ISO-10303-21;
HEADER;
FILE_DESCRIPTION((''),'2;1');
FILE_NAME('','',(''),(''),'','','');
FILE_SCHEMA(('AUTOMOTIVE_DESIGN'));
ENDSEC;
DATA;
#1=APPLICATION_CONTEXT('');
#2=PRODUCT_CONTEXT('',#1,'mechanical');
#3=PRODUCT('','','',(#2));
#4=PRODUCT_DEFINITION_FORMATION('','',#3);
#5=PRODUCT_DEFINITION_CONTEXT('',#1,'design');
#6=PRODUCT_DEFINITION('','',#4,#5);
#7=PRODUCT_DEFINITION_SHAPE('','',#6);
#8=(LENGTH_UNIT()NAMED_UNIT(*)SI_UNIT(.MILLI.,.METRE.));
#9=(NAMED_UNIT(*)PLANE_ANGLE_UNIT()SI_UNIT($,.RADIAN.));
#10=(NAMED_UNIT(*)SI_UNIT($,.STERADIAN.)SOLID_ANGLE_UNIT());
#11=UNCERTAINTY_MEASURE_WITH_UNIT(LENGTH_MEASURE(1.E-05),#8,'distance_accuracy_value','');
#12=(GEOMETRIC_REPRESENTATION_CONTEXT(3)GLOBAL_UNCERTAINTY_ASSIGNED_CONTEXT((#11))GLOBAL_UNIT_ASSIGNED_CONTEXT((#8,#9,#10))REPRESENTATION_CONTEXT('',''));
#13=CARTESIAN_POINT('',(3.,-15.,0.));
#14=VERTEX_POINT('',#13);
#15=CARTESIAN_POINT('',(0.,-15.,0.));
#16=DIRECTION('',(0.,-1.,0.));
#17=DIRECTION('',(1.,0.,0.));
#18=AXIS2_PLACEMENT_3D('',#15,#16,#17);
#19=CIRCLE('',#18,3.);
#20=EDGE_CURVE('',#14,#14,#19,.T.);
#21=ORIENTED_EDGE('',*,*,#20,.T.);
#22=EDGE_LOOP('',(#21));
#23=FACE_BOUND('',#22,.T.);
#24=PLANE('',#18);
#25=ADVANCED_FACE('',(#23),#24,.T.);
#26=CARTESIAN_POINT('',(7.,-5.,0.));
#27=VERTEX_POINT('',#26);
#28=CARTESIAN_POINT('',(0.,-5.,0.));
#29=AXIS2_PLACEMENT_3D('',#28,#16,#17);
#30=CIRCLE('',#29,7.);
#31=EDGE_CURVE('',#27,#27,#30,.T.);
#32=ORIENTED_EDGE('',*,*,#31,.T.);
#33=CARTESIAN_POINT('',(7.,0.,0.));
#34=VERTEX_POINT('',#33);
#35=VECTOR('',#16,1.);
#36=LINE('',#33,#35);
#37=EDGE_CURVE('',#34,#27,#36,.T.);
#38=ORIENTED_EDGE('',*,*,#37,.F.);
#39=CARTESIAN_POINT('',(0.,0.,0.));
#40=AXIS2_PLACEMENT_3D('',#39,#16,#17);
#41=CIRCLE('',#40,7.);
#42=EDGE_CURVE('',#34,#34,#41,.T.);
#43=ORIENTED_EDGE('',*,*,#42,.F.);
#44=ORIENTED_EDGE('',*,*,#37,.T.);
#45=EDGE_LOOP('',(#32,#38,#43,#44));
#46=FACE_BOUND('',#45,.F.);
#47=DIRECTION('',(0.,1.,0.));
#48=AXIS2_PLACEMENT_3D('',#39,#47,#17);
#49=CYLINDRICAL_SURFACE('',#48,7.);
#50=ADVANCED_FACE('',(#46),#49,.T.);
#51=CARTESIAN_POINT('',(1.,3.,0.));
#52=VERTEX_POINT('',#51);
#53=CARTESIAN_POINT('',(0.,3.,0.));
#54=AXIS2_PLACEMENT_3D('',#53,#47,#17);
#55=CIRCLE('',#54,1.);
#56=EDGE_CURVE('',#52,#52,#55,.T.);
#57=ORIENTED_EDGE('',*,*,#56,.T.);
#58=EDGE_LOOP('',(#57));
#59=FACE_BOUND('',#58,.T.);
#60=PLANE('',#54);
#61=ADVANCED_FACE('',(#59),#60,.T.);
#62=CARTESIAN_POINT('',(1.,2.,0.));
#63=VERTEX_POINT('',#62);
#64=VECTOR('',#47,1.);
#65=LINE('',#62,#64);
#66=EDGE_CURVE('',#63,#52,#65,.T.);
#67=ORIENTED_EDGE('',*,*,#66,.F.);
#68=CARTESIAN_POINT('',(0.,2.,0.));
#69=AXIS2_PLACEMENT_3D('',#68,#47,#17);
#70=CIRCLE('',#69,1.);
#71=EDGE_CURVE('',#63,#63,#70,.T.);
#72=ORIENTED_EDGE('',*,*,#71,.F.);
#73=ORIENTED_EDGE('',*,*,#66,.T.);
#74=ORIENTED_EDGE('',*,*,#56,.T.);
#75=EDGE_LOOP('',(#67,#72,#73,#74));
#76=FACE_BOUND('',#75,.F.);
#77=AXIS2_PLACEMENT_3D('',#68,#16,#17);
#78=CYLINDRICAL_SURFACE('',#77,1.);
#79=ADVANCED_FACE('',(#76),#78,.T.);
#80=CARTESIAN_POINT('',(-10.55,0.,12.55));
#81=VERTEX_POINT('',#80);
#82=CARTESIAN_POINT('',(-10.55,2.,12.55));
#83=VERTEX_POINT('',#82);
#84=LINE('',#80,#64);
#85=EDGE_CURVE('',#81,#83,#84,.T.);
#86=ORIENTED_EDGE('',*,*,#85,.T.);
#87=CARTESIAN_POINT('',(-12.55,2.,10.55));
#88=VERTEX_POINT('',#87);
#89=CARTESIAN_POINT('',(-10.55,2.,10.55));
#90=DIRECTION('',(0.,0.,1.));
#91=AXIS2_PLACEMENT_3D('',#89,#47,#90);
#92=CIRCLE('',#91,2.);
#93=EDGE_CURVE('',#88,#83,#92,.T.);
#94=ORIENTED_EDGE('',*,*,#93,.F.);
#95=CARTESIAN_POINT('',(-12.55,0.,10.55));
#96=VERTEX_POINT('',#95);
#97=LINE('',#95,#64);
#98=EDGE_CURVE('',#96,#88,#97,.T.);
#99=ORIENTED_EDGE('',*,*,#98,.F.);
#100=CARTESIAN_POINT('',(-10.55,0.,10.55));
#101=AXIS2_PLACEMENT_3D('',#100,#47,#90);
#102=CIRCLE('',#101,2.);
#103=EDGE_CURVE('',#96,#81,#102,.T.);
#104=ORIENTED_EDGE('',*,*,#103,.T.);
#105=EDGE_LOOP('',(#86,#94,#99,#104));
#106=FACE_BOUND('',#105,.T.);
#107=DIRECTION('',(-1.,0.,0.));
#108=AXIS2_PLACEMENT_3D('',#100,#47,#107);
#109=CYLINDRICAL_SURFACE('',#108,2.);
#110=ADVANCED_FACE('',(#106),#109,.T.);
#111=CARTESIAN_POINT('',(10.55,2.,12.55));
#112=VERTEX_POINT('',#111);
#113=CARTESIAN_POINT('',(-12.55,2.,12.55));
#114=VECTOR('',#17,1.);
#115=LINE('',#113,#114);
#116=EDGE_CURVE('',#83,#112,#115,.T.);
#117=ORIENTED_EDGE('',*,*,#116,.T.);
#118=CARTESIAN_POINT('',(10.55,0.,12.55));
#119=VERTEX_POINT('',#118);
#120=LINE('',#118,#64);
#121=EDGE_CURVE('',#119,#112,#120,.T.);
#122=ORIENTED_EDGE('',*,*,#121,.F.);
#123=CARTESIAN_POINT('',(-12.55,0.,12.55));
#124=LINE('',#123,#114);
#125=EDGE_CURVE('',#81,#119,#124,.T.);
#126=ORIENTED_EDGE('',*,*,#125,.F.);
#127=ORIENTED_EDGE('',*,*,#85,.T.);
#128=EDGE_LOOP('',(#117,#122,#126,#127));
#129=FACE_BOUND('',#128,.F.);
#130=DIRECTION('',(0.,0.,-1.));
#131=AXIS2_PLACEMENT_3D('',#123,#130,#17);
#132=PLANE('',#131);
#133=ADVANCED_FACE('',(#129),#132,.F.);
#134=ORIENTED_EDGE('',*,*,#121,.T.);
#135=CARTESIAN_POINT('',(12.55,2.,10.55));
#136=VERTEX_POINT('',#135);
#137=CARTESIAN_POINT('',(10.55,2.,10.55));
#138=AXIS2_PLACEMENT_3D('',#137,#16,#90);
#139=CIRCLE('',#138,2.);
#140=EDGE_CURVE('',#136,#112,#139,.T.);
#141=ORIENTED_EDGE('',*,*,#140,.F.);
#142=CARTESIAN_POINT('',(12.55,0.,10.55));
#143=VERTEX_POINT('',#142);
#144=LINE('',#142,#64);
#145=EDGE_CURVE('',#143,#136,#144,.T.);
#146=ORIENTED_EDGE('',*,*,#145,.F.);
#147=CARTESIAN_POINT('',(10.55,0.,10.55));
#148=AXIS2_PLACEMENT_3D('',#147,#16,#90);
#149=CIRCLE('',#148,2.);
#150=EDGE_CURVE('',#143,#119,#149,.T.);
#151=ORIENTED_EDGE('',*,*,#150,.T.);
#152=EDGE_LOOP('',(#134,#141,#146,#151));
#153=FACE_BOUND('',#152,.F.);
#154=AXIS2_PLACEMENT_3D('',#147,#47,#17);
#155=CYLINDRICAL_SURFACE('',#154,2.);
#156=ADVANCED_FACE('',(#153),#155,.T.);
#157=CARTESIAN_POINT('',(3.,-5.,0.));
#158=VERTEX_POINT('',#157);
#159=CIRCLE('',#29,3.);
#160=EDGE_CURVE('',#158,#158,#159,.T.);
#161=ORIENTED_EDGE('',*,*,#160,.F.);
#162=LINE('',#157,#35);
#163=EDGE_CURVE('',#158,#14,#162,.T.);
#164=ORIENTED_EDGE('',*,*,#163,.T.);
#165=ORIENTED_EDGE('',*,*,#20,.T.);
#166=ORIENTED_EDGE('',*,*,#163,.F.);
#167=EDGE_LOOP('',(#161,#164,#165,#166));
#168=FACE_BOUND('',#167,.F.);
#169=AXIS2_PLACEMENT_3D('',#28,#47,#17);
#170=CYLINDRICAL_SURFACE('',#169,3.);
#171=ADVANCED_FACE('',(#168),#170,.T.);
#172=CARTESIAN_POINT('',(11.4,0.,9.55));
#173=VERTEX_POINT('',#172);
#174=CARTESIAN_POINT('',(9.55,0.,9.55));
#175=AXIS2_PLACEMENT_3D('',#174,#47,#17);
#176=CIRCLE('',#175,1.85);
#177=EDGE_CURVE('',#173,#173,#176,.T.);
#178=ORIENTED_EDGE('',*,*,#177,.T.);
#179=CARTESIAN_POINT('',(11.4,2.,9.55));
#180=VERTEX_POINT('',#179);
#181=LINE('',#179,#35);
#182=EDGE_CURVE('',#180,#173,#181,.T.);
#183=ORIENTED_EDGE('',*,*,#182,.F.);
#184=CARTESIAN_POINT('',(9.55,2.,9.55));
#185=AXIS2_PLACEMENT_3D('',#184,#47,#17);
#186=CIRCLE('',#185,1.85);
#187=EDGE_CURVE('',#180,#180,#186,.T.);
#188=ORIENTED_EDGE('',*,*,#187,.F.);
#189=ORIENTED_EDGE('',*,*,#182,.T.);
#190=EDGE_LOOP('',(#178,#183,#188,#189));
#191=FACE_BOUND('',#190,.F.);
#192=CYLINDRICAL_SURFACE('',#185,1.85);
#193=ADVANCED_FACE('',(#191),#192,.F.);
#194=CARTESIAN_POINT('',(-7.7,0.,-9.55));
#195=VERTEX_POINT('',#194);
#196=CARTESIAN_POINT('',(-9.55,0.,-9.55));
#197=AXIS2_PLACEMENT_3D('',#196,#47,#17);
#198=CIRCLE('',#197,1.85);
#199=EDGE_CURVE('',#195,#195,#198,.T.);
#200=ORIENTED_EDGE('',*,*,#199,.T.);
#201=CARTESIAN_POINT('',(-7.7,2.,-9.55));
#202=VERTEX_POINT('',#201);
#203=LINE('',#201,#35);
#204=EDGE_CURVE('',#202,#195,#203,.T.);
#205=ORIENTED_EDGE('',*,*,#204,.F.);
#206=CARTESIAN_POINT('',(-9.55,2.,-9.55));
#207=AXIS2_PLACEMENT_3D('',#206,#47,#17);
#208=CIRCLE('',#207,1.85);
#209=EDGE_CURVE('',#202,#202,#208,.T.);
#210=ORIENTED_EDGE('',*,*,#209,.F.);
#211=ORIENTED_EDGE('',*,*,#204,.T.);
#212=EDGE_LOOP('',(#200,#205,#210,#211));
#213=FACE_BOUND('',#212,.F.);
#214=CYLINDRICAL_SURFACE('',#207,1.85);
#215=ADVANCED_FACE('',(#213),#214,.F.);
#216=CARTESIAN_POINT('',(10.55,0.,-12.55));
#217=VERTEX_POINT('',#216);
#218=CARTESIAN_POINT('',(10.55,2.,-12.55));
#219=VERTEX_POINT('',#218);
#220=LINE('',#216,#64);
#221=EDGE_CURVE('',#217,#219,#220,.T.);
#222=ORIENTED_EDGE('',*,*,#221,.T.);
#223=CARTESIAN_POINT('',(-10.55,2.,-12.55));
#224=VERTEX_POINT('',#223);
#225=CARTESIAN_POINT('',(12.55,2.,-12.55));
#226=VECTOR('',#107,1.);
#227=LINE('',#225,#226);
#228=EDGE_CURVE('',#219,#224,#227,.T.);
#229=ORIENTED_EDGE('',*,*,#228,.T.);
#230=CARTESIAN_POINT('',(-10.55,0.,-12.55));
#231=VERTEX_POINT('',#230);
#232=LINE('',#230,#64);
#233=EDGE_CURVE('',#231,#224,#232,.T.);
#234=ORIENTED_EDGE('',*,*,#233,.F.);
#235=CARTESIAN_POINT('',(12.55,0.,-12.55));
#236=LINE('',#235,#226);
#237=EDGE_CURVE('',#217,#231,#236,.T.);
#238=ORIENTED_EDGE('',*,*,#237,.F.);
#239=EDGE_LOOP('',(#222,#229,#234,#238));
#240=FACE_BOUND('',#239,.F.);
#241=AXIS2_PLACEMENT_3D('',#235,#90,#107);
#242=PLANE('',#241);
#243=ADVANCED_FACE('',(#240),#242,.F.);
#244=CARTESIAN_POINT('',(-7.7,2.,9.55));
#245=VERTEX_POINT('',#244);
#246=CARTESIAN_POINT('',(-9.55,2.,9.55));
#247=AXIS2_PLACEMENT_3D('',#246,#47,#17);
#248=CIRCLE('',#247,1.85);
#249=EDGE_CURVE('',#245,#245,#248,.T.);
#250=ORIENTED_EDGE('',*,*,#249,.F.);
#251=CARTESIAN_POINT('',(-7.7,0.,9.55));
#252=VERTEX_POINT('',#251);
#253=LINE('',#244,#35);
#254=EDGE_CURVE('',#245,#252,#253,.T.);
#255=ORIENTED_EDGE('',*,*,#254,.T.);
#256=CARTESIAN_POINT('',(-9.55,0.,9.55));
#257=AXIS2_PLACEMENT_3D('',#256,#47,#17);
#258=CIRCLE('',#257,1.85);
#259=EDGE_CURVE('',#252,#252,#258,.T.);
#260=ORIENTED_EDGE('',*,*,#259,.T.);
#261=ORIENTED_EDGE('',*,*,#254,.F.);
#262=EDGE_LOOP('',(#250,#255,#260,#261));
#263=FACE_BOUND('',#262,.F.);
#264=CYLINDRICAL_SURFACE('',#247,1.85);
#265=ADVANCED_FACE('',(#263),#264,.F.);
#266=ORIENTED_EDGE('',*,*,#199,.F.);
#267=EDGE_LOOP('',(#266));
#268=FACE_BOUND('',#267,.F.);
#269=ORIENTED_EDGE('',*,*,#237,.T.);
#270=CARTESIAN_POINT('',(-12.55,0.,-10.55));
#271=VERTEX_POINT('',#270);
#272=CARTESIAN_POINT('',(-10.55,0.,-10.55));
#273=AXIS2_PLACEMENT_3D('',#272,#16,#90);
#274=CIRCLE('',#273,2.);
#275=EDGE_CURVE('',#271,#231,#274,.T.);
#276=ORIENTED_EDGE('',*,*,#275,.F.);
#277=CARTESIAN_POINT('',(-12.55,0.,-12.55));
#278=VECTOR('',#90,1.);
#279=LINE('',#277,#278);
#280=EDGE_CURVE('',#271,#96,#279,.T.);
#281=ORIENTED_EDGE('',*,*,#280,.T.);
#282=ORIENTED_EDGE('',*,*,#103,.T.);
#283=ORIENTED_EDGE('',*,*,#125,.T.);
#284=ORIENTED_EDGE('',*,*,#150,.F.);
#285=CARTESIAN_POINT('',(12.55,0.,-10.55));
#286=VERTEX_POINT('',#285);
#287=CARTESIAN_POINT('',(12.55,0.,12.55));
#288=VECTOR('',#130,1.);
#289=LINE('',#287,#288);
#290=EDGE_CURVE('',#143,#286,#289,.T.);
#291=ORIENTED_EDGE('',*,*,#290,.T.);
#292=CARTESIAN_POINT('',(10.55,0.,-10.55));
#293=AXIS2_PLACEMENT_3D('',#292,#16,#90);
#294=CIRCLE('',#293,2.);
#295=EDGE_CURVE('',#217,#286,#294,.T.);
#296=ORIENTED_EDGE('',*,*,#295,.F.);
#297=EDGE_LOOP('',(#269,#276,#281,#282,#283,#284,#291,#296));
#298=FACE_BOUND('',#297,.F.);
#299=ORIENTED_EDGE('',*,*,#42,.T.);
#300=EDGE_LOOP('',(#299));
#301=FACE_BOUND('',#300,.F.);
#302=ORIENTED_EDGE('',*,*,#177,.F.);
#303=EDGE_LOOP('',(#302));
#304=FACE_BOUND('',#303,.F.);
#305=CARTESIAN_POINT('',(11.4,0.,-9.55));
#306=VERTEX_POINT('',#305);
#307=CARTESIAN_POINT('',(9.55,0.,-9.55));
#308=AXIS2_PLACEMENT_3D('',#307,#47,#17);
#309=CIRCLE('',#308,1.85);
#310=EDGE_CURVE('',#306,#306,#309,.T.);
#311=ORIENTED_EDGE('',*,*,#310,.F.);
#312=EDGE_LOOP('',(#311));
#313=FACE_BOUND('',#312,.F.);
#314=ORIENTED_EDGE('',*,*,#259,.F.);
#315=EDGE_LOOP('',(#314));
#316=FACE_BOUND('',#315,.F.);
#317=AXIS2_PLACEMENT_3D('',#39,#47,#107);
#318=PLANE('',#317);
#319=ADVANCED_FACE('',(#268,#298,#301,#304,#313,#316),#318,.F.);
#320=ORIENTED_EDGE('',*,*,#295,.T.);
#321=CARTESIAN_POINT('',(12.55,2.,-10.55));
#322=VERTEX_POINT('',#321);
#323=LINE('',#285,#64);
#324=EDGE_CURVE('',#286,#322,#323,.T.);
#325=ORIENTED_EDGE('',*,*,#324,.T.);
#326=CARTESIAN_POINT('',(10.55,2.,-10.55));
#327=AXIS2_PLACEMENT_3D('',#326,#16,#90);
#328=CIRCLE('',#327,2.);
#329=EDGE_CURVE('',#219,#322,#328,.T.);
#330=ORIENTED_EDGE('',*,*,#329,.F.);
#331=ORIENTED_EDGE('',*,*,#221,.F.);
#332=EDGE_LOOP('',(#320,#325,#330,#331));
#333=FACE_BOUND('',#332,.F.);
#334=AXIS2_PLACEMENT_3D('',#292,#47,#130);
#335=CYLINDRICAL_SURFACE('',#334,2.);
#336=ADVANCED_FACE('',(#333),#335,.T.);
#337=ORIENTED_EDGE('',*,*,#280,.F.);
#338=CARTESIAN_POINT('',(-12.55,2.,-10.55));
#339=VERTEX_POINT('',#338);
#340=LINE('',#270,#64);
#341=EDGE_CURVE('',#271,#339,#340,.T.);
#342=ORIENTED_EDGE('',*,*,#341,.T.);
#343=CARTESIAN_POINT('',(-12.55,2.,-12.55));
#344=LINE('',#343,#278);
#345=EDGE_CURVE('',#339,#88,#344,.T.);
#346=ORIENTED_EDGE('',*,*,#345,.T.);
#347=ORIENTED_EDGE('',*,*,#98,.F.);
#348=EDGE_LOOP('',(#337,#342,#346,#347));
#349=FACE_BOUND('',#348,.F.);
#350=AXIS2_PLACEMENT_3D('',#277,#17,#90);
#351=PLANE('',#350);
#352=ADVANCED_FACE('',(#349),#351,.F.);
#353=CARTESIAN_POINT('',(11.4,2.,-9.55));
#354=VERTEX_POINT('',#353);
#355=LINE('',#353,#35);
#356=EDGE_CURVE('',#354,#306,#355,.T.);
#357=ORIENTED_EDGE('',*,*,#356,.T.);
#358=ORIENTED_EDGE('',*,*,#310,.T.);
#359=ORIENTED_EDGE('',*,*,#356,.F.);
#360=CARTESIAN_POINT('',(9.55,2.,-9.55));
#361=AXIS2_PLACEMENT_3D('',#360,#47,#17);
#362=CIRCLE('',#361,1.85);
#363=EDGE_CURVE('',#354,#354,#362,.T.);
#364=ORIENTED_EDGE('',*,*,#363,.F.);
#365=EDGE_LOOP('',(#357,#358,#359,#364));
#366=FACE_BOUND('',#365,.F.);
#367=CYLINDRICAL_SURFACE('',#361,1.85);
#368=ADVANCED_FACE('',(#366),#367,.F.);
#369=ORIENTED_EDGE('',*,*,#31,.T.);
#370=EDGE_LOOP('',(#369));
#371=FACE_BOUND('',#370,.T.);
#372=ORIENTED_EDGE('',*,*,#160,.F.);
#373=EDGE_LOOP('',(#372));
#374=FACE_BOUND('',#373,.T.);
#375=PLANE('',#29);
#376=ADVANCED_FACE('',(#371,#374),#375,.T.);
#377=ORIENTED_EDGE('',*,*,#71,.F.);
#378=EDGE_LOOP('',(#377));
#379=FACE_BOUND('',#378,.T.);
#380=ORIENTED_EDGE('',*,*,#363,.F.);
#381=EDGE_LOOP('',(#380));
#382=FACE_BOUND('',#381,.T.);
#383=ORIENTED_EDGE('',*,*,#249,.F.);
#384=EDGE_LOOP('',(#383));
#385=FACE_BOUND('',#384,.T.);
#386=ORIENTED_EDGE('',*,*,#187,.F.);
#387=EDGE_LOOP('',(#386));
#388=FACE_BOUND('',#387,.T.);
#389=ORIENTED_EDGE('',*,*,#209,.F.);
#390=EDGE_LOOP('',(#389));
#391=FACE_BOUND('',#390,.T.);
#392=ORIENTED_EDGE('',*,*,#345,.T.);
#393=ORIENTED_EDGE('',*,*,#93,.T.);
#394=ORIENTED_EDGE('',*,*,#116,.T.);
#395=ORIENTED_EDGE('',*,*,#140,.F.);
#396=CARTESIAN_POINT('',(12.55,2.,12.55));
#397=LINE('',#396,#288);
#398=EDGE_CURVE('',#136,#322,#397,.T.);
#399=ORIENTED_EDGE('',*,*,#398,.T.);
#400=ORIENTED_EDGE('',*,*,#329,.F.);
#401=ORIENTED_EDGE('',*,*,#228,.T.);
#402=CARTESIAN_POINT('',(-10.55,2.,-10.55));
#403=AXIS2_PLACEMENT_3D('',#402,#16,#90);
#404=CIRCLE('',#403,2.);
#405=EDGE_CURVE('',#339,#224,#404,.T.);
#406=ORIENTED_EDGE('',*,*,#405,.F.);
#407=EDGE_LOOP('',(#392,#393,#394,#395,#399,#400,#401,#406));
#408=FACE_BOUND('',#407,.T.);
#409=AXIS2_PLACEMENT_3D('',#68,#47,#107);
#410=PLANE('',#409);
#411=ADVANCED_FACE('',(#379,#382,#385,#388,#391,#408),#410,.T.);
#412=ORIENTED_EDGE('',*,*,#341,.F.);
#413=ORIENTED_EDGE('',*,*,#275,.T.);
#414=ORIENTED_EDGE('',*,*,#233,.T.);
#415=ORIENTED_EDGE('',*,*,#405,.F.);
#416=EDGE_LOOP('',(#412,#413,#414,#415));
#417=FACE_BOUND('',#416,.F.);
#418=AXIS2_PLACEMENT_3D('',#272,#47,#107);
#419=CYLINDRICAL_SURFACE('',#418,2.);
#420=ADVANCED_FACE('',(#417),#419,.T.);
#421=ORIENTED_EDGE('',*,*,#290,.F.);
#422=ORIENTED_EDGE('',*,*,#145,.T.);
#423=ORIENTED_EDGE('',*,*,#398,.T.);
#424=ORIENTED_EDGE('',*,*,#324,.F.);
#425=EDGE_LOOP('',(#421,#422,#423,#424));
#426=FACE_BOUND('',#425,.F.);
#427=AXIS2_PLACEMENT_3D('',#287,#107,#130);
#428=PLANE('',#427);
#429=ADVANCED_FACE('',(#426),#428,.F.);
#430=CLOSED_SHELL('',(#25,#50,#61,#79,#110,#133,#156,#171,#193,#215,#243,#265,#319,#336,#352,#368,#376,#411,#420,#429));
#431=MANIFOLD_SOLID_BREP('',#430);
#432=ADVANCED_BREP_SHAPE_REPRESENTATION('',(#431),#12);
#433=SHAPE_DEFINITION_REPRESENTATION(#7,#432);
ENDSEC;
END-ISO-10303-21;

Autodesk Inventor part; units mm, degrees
ref_plane "YZ Plane" through (0, 0, 0) normal (1, 0, 0) x (0, 1, 0)
ref_plane "XZ Plane" through (0, 0, 0) normal (0, 1, 0) x (-1, 0, 0)
ref_plane "XY Plane" through (0, 0, 0) normal (0, 0, 1) x (1, 0, 0)
sketch "Sketch1" plane through (0, 0, 0) normal (0, 1, 0) x (-1, 0, 0)
  line L0 (12.55, 12.55) -> (-12.55, 12.55)
  line L1 (-12.55, 12.55) -> (-12.55, -12.55)
  line L2 (-12.55, -12.55) -> (12.55, -12.55)
  line L3 (12.55, -12.55) -> (12.55, 12.55)
  point P0 (0, 0)
  point P1 (12.55, 0)
  point P2 (0, -12.55)
  dimension "d0" = 25.1
  dimension "d1" = 25.1
extrude "Extrusion1" add sketch "Sketch1" along normal blind 2
fillet "Fillet1" radius 2 4 edges at (12.55, 1, 12.55) (-12.55, 1, 12.55) (12.55, 1, -12.55) (-12.55, 1, -12.55)
sketch "Sketch2" plane through (0, 2, 0) normal (0, 1, 0) x (1, 0, 0)
  circle A0 centre (-9.55, -9.55) radius 1.85
  line L0 (-12.55, 10.55) -> (-12.55, -10.55) projected
  line L1 (-10.55, -12.55) -> (10.55, -12.55) projected
  line L2 (0, 0) -> (-4.3818, 0) construction
  line L3 (0, 0) -> (0, 4.1079) construction
  circle A1 centre (-9.55, 9.55) radius 1.85
  circle A2 centre (9.55, -9.55) radius 1.85
  circle A3 centre (9.55, 9.55) radius 1.85
  dimension "d5" = 3.7
  dimension "d6" = 3
  dimension "d7" = 3
extrude "Extrusion2" cut sketch "Sketch2" against normal through all
sketch "Sketch3" plane through (0, 2, 0) normal (0, 1, 0) x (1, 0, 0)
  circle A0 centre (0, 0) radius 1
  dimension "d10" = 2
extrude "Extrusion3" add sketch "Sketch3" along normal blind 1
sketch "Sketch4" plane through (0, 0, 0) normal (0, -1, 0) x (1, 0, 0)
  circle A0 centre (0, 0) radius 1 projected
  circle A1 centre (0, 0) radius 7
  dimension "d13" = 14
extrude "Extrusion4" add sketch "Sketch4" along normal blind 5 contours A0 | A1
sketch "Sketch5" plane through (0, -5, 0) normal (0, -1, 0) x (1, 0, 0)
  circle A0 centre (0, 0) radius 1 projected
  circle A1 centre (0, 0) radius 3
  dimension "d16" = 6
extrude "Extrusion5" add sketch "Sketch5" along normal blind 10 contours A0 | A1
properties part number "connector" material "Aluminum 6061"
